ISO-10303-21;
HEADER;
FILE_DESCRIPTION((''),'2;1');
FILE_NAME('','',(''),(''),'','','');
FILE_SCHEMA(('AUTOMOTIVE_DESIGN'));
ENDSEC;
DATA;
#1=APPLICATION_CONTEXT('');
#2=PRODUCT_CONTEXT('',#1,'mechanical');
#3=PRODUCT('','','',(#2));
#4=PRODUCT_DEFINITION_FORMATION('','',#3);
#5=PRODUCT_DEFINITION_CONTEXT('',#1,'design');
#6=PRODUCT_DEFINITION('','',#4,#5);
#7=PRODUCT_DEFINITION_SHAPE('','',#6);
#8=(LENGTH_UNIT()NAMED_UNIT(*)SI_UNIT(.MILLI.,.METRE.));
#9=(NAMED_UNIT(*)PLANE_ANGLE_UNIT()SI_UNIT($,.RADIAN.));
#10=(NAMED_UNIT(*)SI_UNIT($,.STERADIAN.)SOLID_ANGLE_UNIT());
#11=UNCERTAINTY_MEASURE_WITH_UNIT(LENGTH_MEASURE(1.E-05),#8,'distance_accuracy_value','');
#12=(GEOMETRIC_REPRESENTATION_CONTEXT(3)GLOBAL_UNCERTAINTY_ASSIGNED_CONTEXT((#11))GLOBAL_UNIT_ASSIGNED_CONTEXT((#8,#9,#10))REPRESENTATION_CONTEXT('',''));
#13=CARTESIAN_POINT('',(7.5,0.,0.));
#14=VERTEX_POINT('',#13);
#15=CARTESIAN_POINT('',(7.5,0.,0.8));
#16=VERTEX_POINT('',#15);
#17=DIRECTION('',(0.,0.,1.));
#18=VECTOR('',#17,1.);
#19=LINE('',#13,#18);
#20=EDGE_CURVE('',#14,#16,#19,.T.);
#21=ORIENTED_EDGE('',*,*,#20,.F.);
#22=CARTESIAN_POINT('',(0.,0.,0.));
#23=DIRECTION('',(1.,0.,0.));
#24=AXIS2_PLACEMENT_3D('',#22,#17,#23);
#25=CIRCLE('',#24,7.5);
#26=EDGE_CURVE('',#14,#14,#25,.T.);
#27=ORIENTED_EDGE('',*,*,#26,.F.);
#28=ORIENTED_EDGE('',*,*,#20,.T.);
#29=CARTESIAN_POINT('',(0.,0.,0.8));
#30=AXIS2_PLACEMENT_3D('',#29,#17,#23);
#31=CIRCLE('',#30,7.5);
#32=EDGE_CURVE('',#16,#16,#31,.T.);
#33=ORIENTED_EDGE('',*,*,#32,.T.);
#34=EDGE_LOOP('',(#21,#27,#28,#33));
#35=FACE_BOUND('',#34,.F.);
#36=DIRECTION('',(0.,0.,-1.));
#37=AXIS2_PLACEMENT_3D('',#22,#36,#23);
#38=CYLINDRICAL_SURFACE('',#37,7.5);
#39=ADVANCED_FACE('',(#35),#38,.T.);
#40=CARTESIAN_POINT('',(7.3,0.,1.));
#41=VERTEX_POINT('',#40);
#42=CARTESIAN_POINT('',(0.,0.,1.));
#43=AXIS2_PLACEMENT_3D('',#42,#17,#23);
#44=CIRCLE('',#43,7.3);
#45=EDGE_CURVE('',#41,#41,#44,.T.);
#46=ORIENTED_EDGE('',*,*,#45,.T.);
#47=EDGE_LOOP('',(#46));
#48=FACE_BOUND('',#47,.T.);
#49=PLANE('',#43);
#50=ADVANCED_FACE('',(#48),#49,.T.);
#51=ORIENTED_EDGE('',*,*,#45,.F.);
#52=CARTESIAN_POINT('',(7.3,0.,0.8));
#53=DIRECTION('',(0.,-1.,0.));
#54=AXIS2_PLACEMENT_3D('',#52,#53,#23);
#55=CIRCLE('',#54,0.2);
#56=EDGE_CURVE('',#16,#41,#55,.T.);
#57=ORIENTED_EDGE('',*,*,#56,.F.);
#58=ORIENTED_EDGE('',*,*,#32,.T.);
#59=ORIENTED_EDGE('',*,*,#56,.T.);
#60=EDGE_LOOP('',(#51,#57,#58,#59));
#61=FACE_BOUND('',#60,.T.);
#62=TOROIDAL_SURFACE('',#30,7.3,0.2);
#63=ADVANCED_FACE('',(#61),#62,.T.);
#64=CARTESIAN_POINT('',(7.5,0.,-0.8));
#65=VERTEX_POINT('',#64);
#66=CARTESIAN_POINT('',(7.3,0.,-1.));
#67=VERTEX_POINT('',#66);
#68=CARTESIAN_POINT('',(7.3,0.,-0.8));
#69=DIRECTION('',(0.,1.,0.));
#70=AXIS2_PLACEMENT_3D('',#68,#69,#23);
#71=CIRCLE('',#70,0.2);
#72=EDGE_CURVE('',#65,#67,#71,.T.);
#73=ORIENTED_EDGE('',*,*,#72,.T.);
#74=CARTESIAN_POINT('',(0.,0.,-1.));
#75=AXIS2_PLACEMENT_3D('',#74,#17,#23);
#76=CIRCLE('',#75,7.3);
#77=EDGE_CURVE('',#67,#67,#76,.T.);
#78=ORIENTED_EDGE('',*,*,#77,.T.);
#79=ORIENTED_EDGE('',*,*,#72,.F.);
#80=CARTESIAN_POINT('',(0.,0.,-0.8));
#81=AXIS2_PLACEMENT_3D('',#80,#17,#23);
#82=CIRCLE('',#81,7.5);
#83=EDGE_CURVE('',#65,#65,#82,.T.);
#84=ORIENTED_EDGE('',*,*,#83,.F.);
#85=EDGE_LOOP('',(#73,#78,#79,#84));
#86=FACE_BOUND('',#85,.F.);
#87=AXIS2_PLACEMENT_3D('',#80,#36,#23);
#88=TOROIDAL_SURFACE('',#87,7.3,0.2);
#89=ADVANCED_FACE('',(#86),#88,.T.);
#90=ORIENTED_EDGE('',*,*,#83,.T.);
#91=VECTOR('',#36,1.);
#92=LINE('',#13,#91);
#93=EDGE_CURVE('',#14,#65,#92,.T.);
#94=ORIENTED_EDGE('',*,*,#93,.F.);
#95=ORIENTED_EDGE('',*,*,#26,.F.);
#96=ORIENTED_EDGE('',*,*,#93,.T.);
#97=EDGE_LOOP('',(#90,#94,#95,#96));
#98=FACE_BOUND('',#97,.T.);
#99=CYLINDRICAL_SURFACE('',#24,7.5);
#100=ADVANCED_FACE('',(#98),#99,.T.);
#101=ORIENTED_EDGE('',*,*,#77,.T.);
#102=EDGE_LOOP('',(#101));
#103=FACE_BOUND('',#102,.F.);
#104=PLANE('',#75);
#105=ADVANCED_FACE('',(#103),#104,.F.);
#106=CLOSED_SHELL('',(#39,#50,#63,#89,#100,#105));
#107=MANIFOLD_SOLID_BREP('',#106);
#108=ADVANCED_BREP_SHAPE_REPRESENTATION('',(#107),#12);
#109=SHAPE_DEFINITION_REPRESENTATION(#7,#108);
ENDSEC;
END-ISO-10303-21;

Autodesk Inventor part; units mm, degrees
ref_plane "YZ Plane" through (0, 0, 0) normal (1, 0, 0) x (0, 1, 0)
ref_plane "XZ Plane" through (0, 0, 0) normal (0, 1, 0) x (-1, 0, 0)
ref_plane "XY Plane" through (0, 0, 0) normal (0, 0, 1) x (1, 0, 0)
sketch "Sketch1" plane through (0, 0, 0) normal (0, 0, 1) x (1, 0, 0)
  circle A0 centre (0, 0) radius 7.5
  dimension "d0" = 15
extrude "Extrusion1" add sketch "Sketch1" along normal mid plane 2
fillet "Fillet1" radius 0.2 2 edges at (-7.5, 0, -1) (-7.5, 0, 1)
properties part number "magnet"
